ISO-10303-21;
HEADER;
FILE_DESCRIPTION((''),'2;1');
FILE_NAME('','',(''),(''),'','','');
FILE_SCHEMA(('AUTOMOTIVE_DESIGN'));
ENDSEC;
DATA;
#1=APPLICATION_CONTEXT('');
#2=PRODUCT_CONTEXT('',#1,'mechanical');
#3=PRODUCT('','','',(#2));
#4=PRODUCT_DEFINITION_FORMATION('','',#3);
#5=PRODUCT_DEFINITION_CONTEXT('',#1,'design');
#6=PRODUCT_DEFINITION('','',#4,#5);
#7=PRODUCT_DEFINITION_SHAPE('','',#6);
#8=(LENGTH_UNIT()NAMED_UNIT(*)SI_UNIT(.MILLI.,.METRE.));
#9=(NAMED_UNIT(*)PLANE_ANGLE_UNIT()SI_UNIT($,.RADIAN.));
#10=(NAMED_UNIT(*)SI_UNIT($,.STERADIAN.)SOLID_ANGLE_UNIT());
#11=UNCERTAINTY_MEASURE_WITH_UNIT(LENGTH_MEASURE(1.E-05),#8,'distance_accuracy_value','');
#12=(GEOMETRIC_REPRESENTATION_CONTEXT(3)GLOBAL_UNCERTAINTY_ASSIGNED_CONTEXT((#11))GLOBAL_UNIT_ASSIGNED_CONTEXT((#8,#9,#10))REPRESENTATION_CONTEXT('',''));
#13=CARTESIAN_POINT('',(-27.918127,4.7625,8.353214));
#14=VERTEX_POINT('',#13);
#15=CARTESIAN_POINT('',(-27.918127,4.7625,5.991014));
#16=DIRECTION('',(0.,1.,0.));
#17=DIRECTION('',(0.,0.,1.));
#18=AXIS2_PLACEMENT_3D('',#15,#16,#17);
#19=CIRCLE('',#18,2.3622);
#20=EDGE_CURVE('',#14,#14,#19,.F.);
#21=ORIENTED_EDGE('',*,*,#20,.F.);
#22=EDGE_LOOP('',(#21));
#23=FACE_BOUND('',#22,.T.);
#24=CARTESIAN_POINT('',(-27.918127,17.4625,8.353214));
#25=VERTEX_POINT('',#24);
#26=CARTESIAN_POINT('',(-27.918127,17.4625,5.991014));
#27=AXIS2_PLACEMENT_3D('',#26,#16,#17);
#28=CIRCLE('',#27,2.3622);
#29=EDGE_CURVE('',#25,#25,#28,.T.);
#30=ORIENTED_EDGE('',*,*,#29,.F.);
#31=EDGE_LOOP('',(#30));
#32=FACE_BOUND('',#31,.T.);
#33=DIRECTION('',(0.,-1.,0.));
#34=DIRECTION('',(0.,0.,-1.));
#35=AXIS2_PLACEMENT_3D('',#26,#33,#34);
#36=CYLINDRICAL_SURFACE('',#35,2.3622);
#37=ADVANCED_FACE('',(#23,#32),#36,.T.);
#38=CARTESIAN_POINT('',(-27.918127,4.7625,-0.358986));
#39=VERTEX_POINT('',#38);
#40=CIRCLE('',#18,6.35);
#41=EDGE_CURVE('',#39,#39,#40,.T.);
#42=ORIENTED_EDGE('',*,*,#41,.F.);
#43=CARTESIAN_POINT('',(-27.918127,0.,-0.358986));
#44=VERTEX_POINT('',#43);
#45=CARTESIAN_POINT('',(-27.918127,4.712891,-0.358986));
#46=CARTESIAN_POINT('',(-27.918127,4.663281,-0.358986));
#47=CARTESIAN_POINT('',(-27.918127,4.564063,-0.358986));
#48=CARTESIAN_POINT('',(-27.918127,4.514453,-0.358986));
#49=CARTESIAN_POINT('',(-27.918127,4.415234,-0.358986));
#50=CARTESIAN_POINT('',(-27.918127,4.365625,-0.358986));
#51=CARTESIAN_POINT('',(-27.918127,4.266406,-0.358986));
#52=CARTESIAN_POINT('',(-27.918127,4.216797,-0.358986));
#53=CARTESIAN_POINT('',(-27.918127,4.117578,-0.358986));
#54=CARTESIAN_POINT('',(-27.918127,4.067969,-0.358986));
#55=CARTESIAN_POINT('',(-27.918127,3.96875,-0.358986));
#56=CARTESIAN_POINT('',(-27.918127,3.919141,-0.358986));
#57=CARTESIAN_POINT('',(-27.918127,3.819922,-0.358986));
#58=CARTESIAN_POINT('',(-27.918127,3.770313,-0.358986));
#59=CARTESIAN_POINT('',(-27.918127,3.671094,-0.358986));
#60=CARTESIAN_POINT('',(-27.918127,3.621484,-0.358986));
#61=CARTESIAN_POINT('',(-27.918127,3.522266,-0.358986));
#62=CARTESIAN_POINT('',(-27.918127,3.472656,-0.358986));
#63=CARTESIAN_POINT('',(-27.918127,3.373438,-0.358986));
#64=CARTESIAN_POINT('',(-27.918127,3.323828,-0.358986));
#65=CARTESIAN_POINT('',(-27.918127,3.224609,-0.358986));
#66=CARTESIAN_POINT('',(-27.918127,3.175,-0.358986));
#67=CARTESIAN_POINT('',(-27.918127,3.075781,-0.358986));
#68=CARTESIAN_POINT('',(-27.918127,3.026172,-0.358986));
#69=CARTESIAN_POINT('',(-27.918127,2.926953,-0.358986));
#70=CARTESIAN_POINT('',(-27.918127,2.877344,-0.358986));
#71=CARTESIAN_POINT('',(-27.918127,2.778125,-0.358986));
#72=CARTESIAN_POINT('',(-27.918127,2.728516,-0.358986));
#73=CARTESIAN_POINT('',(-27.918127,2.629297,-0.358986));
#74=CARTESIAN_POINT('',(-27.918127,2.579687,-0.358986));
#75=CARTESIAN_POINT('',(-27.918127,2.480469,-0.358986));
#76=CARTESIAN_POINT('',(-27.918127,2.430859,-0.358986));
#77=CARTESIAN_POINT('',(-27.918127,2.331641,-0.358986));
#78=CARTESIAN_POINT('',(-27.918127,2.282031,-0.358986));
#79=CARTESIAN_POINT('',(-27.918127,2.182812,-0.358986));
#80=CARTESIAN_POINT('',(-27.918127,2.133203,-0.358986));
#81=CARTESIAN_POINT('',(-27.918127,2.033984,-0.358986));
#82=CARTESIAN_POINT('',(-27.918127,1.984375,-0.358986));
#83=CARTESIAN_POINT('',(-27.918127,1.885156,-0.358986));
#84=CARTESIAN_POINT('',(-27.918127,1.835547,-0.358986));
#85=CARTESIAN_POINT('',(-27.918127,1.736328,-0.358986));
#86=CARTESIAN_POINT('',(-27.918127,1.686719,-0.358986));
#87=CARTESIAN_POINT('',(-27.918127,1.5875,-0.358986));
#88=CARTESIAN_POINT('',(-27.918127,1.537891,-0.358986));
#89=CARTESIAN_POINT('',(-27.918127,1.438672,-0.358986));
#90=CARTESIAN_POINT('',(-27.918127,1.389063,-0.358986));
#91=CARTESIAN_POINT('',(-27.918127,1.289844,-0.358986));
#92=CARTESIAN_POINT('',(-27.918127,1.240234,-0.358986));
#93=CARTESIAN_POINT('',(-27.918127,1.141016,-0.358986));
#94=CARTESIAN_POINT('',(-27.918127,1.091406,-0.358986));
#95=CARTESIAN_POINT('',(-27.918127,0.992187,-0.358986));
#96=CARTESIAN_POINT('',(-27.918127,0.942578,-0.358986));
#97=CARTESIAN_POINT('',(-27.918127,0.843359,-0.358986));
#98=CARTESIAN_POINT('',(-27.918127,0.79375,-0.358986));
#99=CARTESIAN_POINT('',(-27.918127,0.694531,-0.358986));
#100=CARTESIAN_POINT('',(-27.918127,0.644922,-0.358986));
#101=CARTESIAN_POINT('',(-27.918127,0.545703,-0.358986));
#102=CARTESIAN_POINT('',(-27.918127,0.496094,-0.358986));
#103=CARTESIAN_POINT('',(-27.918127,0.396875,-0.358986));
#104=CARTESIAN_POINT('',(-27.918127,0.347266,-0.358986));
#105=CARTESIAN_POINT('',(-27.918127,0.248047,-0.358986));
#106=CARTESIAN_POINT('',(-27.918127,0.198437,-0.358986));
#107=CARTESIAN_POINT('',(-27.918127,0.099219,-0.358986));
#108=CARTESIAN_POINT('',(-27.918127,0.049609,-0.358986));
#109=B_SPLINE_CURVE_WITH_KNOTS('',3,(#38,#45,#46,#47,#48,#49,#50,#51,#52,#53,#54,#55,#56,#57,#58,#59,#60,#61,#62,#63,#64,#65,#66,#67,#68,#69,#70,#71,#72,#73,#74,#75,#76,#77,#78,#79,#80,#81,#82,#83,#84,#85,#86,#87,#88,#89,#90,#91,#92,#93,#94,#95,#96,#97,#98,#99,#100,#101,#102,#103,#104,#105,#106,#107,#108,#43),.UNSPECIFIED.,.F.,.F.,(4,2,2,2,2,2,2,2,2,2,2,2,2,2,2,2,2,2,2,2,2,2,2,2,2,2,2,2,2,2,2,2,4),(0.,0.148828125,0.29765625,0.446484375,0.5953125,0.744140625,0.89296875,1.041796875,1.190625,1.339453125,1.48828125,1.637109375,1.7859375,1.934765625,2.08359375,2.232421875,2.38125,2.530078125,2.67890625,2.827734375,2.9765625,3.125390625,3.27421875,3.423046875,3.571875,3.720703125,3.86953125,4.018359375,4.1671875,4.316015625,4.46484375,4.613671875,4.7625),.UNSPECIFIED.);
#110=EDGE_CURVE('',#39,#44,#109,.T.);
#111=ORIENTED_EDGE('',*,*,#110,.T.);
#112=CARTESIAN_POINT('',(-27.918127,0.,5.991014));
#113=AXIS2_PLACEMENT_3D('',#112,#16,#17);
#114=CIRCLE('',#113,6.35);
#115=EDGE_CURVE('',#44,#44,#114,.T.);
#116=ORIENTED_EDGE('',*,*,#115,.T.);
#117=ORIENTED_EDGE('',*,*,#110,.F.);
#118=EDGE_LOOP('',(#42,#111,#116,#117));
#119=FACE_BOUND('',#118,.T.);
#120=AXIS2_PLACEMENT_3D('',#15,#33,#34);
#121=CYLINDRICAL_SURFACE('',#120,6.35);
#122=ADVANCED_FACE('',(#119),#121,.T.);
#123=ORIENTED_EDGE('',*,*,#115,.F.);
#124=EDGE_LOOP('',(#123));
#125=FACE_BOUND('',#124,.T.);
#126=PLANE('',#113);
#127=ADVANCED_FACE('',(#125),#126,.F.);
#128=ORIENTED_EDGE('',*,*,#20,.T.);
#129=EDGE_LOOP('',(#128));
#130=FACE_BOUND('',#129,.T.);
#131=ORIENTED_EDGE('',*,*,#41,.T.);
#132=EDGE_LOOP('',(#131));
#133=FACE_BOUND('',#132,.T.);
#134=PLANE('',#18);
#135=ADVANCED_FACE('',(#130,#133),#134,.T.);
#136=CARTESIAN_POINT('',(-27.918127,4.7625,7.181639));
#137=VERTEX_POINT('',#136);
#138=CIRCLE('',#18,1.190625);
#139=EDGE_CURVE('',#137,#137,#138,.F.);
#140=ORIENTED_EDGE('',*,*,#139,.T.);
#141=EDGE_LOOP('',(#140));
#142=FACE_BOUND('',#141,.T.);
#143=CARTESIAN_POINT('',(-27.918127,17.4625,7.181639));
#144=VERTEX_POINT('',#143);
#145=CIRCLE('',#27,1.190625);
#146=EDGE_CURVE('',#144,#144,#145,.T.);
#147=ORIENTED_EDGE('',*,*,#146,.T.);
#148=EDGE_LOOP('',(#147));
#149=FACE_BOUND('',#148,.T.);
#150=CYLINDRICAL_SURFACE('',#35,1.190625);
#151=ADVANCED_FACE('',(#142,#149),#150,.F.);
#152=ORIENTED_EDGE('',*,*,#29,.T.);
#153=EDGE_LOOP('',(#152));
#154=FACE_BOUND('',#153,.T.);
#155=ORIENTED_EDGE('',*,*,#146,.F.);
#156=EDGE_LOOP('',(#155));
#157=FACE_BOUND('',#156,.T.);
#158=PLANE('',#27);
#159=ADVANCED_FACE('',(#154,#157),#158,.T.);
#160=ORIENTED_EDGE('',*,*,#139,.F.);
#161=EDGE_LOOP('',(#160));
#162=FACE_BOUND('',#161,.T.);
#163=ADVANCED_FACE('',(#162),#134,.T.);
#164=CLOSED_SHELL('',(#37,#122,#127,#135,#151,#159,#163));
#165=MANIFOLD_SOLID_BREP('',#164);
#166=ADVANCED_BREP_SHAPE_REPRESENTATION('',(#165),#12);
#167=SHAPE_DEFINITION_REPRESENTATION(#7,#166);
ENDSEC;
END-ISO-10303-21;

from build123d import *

# Parameters (mm, degrees)
SKETCH1_R           = 6.35
BOSS_EXTRUDE1_DEPTH = 4.7625
SKETCH4_R           = 2.3622
SKETCH4_R_2         = 1.190625
BOSS_EXTRUDE2_DEPTH = 17.4625


with BuildPart() as part:
    # Sketch1 → Boss-Extrude1 (new body)
    with BuildSketch(Plane(origin=(0, 0, 0), x_dir=(1, 0, 0), z_dir=(0, 1, 0))):
        with Locations(Location((-27.91812688, -5.991014352, 0), (0, 0, 90))):
            Circle(SKETCH1_R)
    extrude(amount=BOSS_EXTRUDE1_DEPTH)

    # Sketch4 → Boss-Extrude2 (add)
    with BuildSketch(Plane(origin=(0, 0, 0), x_dir=(1, 0, 0), z_dir=(0, 1, 0))):
        with Locations(Location((-27.91812688, -5.991014352, 0), (0, 0, 270))):
            Circle(SKETCH4_R)
        with Locations(Location((-27.91812688, -5.991014352, 0), (0, 0, 270))):
            Circle(SKETCH4_R_2, mode=Mode.SUBTRACT)
    extrude(amount=BOSS_EXTRUDE2_DEPTH)


solid = part.part
